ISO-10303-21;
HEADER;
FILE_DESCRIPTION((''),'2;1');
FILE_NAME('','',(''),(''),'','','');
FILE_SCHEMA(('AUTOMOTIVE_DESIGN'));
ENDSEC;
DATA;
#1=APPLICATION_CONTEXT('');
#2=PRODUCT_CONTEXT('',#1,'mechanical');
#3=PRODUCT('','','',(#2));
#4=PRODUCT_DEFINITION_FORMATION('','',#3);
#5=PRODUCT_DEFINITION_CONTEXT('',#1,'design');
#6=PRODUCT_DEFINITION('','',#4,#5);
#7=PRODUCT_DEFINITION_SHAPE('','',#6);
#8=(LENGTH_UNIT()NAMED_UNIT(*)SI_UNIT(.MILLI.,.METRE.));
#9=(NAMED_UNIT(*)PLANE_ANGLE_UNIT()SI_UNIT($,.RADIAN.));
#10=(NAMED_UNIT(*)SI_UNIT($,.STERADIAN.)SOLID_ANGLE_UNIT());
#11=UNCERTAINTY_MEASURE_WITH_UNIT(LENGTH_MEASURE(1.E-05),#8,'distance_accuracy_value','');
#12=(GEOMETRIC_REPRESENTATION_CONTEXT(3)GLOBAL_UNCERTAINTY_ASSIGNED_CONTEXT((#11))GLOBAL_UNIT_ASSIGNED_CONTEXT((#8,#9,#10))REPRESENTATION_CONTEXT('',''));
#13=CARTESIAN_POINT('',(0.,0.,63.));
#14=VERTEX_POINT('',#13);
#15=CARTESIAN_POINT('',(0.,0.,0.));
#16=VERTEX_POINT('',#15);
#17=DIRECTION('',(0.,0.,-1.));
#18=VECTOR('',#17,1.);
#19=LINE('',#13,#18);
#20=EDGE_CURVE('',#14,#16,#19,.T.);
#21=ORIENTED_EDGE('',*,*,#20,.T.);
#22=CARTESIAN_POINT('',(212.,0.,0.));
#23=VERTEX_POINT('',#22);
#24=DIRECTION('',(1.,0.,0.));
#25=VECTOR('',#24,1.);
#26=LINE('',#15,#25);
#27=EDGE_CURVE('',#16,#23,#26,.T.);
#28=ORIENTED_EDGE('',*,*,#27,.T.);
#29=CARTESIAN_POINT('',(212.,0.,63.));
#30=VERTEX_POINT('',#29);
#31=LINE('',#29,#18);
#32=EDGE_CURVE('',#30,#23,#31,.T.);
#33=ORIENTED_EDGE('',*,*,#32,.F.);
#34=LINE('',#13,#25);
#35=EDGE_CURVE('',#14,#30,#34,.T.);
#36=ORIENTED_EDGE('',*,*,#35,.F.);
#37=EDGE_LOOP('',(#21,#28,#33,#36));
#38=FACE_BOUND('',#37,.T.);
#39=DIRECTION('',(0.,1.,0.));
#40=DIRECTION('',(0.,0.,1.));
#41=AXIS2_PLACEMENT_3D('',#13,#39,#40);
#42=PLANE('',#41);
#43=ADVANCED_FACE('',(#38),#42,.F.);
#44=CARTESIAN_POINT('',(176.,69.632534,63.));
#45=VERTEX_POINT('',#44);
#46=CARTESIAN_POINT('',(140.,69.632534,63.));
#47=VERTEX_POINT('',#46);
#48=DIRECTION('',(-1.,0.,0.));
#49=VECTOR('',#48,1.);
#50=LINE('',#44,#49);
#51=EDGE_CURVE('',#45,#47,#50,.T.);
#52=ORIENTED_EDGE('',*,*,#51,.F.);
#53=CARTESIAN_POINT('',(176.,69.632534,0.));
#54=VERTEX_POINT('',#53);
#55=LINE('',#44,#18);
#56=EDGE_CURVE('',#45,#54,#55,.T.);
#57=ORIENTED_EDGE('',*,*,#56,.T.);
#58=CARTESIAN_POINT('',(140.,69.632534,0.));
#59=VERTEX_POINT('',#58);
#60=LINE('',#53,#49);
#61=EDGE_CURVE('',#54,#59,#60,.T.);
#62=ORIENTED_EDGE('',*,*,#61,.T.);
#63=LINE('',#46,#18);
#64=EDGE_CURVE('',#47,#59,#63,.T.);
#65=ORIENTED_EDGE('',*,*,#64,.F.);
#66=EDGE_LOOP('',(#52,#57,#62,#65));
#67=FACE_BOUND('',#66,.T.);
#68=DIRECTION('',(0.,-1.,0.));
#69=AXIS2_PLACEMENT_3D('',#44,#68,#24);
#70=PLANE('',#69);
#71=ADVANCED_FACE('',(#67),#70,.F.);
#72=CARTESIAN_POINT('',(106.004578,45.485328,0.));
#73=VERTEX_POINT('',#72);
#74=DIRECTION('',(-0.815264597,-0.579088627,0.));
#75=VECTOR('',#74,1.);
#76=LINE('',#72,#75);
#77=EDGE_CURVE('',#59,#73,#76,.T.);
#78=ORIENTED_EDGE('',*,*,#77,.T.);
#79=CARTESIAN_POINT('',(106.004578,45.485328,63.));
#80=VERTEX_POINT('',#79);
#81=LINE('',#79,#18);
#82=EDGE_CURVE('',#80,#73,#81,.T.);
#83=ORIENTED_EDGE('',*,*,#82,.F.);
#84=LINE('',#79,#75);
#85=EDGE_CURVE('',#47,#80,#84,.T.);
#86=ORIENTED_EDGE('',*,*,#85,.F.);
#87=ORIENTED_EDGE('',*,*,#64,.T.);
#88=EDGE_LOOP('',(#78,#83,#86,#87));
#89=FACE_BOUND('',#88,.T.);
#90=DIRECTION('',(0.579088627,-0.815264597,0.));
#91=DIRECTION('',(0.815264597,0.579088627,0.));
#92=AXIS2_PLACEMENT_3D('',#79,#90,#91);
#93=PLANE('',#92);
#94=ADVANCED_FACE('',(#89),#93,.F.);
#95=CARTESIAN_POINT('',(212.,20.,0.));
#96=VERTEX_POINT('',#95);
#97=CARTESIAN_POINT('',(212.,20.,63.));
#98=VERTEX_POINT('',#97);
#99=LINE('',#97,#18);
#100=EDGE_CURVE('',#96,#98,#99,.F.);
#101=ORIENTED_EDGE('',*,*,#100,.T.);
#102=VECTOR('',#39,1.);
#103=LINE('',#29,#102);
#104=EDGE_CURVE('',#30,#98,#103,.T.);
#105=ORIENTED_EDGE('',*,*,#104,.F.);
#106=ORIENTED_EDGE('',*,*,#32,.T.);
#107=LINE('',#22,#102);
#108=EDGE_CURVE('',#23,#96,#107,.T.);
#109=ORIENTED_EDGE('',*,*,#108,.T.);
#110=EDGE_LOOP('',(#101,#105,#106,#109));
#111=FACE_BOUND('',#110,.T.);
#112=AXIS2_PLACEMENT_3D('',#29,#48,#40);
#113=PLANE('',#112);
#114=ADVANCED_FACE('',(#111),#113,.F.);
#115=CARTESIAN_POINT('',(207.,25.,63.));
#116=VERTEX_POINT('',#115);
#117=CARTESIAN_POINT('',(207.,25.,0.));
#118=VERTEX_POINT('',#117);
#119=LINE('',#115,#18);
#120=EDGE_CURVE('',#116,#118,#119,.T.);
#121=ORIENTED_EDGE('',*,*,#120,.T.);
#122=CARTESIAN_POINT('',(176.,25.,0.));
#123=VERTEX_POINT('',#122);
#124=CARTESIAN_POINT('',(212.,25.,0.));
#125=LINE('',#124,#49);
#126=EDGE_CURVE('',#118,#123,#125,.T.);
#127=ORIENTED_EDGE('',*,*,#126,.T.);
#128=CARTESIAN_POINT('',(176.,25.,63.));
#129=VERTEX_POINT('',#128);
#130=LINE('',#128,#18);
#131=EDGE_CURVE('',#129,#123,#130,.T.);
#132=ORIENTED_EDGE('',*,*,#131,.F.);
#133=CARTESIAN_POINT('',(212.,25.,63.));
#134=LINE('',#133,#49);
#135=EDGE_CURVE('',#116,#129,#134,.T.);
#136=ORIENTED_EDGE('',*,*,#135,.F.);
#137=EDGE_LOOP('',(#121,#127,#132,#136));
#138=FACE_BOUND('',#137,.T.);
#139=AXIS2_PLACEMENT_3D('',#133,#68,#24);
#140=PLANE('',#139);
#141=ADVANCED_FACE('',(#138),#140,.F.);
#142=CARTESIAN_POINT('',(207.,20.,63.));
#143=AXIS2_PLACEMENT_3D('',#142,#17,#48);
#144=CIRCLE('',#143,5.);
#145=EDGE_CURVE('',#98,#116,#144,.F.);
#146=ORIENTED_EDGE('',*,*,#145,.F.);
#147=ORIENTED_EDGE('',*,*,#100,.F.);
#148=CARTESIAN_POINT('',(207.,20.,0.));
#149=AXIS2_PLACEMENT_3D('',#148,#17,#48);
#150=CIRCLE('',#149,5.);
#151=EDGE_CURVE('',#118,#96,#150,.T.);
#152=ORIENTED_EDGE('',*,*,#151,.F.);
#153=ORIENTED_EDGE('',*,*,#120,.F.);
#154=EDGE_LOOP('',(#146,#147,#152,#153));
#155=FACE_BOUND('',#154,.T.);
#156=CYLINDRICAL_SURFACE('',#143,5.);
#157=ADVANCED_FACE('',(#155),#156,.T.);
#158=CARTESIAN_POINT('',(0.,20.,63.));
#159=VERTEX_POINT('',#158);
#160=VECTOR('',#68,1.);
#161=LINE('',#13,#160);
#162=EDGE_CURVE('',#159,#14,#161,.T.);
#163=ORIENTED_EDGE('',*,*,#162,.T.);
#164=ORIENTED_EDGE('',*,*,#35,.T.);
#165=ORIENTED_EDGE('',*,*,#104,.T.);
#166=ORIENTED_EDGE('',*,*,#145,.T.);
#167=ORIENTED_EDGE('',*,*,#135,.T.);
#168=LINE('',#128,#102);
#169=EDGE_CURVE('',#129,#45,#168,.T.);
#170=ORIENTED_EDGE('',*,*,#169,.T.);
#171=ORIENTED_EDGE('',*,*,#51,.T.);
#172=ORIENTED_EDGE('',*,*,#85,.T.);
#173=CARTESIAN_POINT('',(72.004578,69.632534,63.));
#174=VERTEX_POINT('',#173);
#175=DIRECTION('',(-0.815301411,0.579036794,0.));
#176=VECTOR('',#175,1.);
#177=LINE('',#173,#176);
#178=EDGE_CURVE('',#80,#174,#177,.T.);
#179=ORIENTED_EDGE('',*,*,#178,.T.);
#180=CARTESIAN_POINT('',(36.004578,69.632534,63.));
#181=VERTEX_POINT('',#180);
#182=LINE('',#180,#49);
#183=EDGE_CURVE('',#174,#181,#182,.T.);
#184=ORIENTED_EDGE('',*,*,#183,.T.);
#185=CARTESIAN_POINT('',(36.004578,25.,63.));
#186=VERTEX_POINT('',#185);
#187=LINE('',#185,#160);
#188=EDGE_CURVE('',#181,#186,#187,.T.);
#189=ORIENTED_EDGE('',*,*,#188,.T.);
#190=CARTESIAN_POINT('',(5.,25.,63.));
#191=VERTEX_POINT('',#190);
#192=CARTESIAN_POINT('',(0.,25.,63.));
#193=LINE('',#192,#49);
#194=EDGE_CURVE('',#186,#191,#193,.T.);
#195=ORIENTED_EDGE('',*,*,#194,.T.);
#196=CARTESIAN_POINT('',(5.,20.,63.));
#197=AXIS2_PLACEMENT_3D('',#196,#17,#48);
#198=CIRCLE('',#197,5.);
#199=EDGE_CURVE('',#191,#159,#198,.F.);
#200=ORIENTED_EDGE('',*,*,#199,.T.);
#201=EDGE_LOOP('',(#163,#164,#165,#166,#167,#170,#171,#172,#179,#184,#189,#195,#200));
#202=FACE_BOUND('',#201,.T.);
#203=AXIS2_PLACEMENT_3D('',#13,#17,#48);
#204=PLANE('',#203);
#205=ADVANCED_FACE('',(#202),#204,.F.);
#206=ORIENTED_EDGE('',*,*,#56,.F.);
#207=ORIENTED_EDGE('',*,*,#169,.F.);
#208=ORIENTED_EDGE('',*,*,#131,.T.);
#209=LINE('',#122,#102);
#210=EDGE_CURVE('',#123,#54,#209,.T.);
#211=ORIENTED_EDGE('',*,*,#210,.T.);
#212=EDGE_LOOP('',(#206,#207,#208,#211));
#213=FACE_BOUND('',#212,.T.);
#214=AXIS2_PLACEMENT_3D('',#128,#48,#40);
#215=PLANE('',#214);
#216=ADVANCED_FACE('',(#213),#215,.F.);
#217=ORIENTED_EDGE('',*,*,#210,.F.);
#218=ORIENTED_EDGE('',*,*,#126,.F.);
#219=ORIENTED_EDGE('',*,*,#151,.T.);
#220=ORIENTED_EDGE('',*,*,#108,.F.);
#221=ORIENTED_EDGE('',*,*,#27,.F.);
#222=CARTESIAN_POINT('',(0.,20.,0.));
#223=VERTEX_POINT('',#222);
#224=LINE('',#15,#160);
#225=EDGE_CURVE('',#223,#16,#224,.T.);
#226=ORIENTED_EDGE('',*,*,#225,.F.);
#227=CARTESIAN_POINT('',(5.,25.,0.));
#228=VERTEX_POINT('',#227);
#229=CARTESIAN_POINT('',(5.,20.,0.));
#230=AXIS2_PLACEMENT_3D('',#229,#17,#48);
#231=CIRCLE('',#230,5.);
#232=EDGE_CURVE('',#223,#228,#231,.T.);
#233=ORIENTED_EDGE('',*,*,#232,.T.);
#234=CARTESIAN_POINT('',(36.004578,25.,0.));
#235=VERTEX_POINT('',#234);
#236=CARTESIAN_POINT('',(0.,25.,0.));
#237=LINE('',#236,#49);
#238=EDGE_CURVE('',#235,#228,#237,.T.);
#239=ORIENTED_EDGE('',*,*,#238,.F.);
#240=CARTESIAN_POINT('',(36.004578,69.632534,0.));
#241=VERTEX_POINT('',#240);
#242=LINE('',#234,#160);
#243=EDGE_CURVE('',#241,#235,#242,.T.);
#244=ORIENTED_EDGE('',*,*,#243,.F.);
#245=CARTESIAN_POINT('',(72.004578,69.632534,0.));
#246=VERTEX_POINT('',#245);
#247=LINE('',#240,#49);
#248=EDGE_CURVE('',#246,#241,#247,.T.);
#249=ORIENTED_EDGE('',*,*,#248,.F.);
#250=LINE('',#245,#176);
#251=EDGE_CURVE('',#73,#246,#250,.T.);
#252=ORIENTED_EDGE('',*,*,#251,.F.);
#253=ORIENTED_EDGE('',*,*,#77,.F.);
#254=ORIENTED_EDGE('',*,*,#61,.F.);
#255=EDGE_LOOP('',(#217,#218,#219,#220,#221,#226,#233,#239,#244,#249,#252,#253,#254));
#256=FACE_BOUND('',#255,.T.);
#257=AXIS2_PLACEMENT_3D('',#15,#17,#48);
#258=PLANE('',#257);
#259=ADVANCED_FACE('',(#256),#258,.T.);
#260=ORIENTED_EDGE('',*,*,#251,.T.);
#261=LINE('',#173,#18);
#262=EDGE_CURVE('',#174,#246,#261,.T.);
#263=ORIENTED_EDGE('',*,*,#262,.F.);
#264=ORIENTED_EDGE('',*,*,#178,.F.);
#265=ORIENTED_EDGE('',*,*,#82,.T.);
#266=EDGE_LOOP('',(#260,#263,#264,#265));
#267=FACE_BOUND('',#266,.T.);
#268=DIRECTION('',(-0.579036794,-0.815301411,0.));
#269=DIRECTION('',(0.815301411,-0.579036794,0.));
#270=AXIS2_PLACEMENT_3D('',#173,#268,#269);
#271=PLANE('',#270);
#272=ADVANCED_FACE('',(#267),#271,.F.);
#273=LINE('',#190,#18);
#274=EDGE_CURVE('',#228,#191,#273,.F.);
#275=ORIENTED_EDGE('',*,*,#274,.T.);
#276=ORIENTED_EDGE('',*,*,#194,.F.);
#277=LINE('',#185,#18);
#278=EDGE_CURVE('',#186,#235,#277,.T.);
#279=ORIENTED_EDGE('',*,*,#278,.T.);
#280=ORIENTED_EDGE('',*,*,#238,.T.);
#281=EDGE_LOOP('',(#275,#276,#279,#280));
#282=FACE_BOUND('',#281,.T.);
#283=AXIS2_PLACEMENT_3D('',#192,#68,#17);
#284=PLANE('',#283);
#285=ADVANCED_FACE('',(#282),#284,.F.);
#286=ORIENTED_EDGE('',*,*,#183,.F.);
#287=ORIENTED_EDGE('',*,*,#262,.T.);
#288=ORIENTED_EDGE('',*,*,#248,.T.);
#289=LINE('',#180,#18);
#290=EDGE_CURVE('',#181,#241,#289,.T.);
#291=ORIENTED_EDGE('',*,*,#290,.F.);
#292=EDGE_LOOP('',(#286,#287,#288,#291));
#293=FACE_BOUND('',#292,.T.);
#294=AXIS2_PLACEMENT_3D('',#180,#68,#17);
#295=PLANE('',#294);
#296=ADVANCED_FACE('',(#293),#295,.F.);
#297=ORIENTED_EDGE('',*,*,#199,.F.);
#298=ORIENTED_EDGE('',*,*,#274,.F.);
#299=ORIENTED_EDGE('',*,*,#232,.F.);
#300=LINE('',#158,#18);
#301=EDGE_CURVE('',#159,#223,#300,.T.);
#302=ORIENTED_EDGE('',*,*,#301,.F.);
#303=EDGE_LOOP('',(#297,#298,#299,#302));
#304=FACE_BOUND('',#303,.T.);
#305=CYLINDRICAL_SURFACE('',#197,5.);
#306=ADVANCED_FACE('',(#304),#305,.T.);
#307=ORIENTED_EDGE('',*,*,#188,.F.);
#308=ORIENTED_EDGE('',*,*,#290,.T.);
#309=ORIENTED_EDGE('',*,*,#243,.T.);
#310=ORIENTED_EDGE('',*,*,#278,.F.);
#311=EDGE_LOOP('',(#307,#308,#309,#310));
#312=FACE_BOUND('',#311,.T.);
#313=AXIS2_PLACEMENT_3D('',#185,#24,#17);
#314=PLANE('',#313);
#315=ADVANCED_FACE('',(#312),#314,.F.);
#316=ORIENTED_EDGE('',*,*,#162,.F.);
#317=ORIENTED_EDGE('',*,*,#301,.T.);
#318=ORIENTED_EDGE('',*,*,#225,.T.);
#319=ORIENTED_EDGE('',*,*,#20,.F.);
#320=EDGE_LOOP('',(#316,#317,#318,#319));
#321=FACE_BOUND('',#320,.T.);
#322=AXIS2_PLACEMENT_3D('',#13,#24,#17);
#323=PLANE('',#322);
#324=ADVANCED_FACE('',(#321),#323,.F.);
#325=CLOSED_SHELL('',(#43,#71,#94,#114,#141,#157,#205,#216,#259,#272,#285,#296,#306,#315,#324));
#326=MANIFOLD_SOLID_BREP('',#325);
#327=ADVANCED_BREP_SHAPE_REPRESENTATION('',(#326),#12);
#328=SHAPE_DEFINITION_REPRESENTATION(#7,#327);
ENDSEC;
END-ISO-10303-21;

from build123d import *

# Parameters (mm, degrees)
BOSS_EXTRUDE1_DEPTH = 63
FILLET1_R           = 5
FILLET2_R           = 5


with BuildPart() as part:
    # Sketch1 → Boss-Extrude1 (new body)
    with BuildSketch(Plane.XY):
        Polygon((0, 0), (212, 0), (212, 25), (176, 25), (176, 69.632533644), (140, 69.632533644), (106.004578334, 45.485327779), (72.004578334, 69.632533644), (36.004578334, 69.632533644), (36.004578334, 25), (0, 25), align=None)
    extrude(amount=BOSS_EXTRUDE1_DEPTH)

    # Fillet1
    fillet1_edges = [part.edges().sort_by_distance(p)[0] for p in [
        (212, 25, 31.5),
    ]]
    fillet(fillet1_edges, radius=FILLET1_R)

    # Fillet2
    fillet2_edges = [part.edges().sort_by_distance(p)[0] for p in [
        (0, 25, 31.5),
    ]]
    fillet(fillet2_edges, radius=FILLET2_R)


solid = part.part
